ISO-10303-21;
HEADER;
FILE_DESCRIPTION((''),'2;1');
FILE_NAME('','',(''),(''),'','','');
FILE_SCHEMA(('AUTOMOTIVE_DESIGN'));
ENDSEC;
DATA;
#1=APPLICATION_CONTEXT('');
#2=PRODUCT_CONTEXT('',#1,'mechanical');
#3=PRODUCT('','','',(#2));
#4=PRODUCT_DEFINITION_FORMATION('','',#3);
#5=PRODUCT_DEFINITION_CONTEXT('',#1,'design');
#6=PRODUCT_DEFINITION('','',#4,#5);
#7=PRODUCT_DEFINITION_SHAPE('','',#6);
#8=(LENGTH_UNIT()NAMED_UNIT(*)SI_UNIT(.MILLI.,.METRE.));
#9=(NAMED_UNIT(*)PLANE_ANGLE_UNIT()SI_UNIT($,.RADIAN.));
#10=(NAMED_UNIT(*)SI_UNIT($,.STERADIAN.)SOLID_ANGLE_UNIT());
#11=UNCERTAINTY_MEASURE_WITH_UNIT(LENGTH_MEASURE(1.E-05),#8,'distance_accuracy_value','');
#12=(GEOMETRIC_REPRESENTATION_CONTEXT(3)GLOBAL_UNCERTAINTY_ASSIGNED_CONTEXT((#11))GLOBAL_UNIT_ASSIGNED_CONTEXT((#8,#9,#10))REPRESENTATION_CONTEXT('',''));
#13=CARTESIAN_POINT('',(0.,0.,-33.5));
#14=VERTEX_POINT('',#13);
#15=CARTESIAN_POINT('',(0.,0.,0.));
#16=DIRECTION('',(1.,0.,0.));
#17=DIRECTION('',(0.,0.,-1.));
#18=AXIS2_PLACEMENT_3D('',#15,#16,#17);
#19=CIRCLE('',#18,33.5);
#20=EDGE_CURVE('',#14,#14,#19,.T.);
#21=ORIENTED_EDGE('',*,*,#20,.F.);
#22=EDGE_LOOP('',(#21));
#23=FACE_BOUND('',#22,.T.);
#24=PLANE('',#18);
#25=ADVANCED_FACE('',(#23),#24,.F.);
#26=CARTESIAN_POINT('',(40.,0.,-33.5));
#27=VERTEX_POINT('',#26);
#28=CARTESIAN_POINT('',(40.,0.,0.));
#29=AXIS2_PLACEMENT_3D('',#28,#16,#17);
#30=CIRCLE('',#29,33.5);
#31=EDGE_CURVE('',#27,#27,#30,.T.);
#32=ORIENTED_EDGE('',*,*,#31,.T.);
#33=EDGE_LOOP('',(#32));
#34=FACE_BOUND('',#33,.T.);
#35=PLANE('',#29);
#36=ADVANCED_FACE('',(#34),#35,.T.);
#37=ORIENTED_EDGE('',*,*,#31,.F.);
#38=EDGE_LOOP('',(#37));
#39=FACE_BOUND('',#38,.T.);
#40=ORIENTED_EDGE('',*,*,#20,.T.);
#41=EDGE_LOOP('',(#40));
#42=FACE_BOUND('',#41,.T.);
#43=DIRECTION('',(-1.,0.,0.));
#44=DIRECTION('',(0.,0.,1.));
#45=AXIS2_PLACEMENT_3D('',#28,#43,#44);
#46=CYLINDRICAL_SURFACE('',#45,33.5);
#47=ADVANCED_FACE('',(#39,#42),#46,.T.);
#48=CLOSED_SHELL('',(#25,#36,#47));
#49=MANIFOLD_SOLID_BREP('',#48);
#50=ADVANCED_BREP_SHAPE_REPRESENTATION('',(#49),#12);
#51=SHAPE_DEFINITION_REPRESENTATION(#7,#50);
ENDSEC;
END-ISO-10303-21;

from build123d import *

# Parameters (mm, degrees)
SKETCH_1_R      = 33.5
EXTRUDE_1_DEPTH = 40


with BuildPart() as part:
    # 草图1 → 凸台-拉伸1 (new body)
    with BuildSketch(Plane(origin=(0, 0, 0), x_dir=(0, 0, -1), z_dir=(1, 0, 0))):
        Circle(SKETCH_1_R)
    extrude(amount=EXTRUDE_1_DEPTH)


solid = part.part
